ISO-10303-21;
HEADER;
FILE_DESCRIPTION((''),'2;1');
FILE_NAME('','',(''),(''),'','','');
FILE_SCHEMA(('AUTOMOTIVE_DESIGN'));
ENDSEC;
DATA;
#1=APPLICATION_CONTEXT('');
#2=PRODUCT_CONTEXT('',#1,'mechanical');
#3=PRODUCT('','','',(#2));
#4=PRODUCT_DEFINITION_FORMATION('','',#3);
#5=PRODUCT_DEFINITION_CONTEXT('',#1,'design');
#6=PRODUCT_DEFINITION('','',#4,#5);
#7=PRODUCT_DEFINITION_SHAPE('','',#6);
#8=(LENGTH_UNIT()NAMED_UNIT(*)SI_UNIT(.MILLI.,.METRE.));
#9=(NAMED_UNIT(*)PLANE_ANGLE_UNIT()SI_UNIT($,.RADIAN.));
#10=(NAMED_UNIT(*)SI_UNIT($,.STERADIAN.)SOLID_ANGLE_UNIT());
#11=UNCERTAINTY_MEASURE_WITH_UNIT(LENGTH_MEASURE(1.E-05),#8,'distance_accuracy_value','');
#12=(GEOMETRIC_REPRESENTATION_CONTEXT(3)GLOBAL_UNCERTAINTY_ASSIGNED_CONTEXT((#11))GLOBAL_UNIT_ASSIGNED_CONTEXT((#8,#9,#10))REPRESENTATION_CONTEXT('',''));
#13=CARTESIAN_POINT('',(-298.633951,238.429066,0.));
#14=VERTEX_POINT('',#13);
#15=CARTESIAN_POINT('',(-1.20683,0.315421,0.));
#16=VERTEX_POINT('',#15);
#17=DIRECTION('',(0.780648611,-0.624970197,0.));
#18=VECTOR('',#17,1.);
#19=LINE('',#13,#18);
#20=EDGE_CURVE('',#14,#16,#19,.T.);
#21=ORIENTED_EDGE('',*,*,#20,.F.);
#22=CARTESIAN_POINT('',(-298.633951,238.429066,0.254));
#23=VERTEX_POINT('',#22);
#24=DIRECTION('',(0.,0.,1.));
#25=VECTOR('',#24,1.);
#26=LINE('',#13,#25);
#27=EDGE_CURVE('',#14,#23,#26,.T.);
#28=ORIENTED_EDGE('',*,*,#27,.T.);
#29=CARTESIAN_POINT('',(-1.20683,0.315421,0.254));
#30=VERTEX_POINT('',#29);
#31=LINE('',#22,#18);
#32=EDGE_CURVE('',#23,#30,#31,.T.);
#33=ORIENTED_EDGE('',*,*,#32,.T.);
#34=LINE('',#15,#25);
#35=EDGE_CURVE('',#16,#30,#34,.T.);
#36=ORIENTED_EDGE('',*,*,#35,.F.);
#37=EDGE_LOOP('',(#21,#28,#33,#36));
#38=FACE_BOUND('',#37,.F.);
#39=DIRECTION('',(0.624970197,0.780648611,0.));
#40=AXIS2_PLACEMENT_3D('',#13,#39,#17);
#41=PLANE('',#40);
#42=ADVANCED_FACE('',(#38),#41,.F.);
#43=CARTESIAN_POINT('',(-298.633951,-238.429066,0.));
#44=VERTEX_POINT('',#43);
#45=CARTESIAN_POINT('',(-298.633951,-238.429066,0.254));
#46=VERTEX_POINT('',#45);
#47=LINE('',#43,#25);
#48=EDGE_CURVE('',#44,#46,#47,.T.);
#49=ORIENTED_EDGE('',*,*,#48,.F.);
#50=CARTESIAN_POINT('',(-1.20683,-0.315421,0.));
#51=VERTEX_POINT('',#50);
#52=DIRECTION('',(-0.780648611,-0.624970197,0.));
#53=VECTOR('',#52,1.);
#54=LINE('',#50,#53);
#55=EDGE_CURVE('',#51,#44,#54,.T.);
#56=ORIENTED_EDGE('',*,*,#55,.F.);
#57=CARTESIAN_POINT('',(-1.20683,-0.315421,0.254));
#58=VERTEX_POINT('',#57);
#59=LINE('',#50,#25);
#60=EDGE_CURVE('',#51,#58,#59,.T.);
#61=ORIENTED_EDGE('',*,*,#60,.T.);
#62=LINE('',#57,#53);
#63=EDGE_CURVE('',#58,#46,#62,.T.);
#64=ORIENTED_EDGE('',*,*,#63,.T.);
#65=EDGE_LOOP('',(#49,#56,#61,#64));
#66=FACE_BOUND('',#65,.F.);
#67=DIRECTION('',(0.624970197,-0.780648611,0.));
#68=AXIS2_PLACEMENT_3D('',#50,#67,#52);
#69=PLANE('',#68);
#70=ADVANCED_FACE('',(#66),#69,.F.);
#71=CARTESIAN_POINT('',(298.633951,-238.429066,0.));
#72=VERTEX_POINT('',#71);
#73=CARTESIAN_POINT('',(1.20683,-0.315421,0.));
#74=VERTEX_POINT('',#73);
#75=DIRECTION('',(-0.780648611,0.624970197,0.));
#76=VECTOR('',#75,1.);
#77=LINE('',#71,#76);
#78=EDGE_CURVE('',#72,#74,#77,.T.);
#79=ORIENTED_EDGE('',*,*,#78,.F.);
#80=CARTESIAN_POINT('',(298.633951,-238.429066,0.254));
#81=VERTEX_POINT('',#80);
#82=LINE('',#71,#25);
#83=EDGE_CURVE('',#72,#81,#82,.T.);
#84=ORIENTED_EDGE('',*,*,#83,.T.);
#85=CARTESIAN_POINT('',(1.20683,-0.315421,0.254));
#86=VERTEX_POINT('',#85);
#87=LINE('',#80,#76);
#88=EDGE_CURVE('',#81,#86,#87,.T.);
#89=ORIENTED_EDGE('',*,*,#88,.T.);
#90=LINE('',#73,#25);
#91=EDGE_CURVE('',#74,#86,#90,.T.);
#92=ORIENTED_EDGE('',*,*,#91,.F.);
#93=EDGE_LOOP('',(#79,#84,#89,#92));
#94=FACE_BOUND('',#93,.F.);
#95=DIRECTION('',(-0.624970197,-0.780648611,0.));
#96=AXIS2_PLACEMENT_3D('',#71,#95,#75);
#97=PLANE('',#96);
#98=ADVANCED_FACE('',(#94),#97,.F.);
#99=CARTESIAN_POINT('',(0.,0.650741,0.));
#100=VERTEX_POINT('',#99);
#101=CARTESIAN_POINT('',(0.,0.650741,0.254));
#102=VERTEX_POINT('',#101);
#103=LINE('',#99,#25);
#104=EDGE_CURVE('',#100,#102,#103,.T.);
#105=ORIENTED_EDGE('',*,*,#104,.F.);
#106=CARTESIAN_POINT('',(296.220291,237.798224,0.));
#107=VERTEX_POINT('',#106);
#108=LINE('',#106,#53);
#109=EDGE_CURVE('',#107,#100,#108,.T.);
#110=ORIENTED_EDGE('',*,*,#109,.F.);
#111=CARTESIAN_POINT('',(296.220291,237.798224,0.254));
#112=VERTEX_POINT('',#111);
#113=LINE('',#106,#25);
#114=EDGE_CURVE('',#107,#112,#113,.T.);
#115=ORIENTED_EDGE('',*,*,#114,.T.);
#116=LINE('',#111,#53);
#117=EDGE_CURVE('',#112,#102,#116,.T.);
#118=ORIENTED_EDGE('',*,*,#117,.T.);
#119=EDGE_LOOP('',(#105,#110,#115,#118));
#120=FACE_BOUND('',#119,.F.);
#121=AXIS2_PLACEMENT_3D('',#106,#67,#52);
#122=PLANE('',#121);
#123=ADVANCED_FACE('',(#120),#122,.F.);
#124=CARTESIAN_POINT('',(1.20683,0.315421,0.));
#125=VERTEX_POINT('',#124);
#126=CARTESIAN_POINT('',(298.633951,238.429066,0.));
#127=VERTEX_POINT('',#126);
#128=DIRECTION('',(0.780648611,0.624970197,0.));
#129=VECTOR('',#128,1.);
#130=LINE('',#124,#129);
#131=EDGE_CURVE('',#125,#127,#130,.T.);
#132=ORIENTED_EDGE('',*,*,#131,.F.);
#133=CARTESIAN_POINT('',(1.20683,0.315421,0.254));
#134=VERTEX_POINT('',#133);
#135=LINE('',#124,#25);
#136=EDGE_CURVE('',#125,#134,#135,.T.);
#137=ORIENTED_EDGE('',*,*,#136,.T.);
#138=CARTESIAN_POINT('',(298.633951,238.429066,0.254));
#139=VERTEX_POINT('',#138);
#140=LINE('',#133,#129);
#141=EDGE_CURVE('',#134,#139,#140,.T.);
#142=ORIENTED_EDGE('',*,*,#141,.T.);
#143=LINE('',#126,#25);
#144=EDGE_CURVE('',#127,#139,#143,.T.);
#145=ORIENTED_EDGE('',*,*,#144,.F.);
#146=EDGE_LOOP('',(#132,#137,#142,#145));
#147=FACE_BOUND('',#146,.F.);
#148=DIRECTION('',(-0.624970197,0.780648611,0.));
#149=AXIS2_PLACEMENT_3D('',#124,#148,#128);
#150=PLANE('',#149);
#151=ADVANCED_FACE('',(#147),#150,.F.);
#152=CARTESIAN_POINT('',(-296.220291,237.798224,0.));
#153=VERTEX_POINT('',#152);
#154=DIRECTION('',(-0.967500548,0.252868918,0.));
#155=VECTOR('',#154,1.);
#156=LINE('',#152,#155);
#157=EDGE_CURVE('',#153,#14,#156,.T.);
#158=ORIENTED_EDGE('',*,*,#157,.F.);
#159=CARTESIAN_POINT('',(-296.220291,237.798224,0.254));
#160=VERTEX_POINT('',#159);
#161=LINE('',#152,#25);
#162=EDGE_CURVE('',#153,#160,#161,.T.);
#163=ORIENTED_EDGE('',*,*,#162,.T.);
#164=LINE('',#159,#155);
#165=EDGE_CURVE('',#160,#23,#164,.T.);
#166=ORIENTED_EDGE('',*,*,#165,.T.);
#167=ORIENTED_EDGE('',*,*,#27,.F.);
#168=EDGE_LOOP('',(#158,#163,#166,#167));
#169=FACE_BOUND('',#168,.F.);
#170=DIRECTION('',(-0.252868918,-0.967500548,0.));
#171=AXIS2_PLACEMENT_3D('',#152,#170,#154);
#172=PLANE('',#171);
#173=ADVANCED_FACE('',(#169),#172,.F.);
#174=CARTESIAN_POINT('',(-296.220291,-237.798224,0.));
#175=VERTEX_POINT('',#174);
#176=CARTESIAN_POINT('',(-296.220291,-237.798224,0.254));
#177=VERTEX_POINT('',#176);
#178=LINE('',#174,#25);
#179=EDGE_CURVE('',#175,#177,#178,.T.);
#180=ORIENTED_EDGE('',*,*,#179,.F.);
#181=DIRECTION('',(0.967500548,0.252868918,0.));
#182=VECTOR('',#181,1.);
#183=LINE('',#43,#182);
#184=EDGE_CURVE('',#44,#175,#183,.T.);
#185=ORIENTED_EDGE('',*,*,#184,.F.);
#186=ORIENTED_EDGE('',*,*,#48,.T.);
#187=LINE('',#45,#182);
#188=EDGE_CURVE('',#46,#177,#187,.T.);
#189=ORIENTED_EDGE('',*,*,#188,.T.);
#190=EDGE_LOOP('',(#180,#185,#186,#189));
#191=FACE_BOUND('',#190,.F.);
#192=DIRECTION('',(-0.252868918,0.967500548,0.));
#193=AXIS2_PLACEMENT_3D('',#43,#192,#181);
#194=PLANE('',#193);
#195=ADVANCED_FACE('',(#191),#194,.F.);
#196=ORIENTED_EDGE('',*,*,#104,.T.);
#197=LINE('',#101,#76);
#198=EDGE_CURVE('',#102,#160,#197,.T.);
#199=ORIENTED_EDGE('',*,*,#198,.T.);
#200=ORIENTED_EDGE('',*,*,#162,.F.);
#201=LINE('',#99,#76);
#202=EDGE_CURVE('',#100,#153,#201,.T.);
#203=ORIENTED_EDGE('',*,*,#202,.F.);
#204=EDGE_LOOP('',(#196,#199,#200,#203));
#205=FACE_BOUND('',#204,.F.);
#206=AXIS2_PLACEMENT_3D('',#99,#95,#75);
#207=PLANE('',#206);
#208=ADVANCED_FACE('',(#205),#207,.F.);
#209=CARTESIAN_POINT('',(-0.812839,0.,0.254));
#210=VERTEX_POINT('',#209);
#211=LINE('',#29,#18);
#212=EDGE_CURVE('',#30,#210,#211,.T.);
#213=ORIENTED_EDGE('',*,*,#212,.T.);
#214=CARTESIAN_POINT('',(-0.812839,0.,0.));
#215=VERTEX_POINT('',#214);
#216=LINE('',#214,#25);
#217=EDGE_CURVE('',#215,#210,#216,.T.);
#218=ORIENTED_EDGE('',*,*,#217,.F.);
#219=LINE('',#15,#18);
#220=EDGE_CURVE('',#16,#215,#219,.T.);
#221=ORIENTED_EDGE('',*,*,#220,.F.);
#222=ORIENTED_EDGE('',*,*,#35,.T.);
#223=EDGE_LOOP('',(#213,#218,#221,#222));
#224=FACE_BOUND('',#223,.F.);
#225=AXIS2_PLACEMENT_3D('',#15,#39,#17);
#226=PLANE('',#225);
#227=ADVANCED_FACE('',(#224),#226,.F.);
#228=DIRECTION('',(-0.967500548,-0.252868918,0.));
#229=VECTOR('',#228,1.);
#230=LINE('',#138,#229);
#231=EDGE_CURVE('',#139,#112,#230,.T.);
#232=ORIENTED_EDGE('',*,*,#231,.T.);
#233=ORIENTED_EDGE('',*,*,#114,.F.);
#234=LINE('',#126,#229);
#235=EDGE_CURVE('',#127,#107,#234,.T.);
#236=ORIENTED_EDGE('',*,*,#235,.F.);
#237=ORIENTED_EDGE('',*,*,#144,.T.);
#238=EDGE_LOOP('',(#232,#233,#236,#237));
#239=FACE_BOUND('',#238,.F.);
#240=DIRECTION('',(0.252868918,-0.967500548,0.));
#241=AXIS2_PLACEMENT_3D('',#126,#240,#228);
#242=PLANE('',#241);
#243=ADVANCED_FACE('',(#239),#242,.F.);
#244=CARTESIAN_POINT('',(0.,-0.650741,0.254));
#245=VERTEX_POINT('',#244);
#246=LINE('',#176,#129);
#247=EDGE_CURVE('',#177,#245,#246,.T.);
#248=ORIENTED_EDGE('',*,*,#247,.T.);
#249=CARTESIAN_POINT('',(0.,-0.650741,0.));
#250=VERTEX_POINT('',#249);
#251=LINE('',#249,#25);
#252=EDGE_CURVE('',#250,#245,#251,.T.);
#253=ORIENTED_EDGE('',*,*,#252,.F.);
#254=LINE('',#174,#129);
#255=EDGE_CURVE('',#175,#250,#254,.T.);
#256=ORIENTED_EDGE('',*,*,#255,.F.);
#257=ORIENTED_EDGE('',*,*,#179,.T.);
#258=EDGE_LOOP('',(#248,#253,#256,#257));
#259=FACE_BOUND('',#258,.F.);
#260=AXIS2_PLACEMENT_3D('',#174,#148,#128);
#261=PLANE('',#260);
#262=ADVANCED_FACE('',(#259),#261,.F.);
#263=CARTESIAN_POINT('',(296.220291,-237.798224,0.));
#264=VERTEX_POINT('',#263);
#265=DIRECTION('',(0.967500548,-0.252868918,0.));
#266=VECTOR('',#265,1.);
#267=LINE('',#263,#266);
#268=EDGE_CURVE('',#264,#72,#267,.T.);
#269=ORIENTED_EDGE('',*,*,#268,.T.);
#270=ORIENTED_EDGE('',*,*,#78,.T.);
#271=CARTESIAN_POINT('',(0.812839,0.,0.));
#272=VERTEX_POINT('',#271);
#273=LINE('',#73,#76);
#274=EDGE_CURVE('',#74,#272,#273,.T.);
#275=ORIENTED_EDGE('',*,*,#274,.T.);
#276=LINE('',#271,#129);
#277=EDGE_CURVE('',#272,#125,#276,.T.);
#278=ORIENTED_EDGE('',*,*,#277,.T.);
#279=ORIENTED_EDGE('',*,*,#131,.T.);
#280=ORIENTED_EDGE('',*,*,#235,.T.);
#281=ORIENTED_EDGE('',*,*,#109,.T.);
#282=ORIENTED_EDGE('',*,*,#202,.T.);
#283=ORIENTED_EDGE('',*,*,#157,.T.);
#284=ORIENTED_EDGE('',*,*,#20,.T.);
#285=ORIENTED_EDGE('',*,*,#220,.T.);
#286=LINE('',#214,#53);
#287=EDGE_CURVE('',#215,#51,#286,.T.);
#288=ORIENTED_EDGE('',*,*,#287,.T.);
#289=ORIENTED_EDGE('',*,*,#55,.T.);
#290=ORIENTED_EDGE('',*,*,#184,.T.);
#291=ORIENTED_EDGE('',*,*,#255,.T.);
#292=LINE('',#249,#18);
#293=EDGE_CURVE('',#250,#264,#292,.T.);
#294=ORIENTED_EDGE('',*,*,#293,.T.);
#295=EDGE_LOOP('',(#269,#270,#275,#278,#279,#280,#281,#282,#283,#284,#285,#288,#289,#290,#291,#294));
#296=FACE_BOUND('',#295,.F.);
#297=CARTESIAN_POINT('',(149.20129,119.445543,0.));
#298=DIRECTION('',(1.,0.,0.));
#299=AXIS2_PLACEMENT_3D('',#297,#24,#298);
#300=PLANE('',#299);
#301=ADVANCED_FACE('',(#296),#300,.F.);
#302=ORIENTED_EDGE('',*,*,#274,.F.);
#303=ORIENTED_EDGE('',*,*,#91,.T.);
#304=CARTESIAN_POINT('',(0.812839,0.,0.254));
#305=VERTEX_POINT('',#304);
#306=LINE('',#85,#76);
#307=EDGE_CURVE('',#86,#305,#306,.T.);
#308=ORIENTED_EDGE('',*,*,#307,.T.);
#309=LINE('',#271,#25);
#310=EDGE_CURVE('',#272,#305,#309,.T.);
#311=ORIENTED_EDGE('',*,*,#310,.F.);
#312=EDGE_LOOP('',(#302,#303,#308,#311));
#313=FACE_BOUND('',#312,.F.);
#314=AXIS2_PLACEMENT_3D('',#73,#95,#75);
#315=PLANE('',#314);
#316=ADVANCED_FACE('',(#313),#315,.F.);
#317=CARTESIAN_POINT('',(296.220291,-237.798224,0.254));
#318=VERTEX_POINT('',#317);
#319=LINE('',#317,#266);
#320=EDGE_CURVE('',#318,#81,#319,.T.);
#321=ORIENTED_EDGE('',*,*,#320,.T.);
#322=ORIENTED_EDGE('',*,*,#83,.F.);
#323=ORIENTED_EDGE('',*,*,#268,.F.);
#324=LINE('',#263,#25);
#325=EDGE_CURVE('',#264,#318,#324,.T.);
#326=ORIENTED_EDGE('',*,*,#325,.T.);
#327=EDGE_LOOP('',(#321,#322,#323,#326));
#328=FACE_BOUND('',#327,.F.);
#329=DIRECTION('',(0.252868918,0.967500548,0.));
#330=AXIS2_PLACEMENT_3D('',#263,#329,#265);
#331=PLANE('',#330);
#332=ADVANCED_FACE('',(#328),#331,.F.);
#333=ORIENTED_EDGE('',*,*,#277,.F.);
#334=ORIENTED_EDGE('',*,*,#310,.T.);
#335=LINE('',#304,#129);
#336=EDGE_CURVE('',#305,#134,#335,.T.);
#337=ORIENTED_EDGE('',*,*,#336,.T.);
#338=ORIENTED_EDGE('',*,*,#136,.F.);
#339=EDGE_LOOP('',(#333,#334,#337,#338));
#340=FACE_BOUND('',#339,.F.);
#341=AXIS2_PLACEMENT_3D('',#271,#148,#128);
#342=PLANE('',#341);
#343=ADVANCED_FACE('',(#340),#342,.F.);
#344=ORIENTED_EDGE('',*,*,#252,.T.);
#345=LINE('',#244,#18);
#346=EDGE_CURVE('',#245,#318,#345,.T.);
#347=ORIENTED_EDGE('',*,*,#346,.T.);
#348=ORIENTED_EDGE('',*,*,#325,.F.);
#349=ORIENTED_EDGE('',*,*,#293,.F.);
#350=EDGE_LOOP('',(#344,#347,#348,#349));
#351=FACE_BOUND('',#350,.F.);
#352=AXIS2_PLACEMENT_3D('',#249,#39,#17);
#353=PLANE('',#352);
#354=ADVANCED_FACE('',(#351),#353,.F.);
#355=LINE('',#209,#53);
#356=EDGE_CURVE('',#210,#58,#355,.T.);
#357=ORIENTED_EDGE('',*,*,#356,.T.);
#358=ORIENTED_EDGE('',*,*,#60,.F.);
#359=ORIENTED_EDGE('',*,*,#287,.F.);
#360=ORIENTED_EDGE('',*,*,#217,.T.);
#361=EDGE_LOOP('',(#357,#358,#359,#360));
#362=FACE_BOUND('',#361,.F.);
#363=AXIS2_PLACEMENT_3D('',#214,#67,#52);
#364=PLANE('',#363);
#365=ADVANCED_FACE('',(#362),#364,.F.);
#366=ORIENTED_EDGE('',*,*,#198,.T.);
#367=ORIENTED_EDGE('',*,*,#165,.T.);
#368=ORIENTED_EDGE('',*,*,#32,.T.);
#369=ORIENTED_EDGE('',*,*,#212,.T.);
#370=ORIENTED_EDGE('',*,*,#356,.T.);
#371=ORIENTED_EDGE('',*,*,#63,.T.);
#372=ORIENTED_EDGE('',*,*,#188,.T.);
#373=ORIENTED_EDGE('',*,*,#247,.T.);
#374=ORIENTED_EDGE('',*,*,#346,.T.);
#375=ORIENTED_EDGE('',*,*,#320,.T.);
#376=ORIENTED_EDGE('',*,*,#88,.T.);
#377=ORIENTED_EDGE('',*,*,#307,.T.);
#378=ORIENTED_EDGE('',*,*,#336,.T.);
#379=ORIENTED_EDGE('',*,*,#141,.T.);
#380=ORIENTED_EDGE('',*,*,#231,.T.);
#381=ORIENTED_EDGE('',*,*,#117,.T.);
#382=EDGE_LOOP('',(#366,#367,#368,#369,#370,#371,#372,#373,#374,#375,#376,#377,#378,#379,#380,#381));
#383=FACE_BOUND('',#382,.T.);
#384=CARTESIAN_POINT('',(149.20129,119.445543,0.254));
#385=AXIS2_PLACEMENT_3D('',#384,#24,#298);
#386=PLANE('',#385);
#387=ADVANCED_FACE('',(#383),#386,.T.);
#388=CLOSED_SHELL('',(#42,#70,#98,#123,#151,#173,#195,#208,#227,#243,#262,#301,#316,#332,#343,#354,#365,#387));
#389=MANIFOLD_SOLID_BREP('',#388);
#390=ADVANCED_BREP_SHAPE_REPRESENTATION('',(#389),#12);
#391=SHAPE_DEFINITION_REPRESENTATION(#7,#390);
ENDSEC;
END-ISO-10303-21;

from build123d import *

# Parameters (mm, degrees)
F1_DEPTH = 0.254


with BuildPart() as f1:
    # F0 (on Top) → F1 (new body)
    with BuildSketch(Plane.XY):
        Polygon((0.8128387605, 0), (1.2068300635, 0.3154208164), (298.63395072, 238.4290657383), (296.220290593, 237.7982241055), (0, 0.6507409263), align=None)
        Polygon((1.2068300635, -0.3154208164), (0.8128387605, 0), (0, -0.6507409263), (296.220290593, -237.7982241055), (298.63395072, -238.4290657383), align=None)
        Polygon((0, -0.6507409263), (0.8128387605, 0), (0, 0.6507409263), (-0.8128387605, 0), align=None)
        Polygon((-296.220290593, -237.7982241055), (0, -0.6507409263), (-0.8128387605, 0), (-1.2068300635, -0.3154208164), (-298.63395072, -238.4290657383), align=None)
        Polygon((-0.8128387605, 0), (0, 0.6507409263), (-296.220290593, 237.7982241055), (-298.63395072, 238.4290657383), (-1.2068300635, 0.3154208164), align=None)
    extrude(amount=F1_DEPTH)


solid = f1.part
